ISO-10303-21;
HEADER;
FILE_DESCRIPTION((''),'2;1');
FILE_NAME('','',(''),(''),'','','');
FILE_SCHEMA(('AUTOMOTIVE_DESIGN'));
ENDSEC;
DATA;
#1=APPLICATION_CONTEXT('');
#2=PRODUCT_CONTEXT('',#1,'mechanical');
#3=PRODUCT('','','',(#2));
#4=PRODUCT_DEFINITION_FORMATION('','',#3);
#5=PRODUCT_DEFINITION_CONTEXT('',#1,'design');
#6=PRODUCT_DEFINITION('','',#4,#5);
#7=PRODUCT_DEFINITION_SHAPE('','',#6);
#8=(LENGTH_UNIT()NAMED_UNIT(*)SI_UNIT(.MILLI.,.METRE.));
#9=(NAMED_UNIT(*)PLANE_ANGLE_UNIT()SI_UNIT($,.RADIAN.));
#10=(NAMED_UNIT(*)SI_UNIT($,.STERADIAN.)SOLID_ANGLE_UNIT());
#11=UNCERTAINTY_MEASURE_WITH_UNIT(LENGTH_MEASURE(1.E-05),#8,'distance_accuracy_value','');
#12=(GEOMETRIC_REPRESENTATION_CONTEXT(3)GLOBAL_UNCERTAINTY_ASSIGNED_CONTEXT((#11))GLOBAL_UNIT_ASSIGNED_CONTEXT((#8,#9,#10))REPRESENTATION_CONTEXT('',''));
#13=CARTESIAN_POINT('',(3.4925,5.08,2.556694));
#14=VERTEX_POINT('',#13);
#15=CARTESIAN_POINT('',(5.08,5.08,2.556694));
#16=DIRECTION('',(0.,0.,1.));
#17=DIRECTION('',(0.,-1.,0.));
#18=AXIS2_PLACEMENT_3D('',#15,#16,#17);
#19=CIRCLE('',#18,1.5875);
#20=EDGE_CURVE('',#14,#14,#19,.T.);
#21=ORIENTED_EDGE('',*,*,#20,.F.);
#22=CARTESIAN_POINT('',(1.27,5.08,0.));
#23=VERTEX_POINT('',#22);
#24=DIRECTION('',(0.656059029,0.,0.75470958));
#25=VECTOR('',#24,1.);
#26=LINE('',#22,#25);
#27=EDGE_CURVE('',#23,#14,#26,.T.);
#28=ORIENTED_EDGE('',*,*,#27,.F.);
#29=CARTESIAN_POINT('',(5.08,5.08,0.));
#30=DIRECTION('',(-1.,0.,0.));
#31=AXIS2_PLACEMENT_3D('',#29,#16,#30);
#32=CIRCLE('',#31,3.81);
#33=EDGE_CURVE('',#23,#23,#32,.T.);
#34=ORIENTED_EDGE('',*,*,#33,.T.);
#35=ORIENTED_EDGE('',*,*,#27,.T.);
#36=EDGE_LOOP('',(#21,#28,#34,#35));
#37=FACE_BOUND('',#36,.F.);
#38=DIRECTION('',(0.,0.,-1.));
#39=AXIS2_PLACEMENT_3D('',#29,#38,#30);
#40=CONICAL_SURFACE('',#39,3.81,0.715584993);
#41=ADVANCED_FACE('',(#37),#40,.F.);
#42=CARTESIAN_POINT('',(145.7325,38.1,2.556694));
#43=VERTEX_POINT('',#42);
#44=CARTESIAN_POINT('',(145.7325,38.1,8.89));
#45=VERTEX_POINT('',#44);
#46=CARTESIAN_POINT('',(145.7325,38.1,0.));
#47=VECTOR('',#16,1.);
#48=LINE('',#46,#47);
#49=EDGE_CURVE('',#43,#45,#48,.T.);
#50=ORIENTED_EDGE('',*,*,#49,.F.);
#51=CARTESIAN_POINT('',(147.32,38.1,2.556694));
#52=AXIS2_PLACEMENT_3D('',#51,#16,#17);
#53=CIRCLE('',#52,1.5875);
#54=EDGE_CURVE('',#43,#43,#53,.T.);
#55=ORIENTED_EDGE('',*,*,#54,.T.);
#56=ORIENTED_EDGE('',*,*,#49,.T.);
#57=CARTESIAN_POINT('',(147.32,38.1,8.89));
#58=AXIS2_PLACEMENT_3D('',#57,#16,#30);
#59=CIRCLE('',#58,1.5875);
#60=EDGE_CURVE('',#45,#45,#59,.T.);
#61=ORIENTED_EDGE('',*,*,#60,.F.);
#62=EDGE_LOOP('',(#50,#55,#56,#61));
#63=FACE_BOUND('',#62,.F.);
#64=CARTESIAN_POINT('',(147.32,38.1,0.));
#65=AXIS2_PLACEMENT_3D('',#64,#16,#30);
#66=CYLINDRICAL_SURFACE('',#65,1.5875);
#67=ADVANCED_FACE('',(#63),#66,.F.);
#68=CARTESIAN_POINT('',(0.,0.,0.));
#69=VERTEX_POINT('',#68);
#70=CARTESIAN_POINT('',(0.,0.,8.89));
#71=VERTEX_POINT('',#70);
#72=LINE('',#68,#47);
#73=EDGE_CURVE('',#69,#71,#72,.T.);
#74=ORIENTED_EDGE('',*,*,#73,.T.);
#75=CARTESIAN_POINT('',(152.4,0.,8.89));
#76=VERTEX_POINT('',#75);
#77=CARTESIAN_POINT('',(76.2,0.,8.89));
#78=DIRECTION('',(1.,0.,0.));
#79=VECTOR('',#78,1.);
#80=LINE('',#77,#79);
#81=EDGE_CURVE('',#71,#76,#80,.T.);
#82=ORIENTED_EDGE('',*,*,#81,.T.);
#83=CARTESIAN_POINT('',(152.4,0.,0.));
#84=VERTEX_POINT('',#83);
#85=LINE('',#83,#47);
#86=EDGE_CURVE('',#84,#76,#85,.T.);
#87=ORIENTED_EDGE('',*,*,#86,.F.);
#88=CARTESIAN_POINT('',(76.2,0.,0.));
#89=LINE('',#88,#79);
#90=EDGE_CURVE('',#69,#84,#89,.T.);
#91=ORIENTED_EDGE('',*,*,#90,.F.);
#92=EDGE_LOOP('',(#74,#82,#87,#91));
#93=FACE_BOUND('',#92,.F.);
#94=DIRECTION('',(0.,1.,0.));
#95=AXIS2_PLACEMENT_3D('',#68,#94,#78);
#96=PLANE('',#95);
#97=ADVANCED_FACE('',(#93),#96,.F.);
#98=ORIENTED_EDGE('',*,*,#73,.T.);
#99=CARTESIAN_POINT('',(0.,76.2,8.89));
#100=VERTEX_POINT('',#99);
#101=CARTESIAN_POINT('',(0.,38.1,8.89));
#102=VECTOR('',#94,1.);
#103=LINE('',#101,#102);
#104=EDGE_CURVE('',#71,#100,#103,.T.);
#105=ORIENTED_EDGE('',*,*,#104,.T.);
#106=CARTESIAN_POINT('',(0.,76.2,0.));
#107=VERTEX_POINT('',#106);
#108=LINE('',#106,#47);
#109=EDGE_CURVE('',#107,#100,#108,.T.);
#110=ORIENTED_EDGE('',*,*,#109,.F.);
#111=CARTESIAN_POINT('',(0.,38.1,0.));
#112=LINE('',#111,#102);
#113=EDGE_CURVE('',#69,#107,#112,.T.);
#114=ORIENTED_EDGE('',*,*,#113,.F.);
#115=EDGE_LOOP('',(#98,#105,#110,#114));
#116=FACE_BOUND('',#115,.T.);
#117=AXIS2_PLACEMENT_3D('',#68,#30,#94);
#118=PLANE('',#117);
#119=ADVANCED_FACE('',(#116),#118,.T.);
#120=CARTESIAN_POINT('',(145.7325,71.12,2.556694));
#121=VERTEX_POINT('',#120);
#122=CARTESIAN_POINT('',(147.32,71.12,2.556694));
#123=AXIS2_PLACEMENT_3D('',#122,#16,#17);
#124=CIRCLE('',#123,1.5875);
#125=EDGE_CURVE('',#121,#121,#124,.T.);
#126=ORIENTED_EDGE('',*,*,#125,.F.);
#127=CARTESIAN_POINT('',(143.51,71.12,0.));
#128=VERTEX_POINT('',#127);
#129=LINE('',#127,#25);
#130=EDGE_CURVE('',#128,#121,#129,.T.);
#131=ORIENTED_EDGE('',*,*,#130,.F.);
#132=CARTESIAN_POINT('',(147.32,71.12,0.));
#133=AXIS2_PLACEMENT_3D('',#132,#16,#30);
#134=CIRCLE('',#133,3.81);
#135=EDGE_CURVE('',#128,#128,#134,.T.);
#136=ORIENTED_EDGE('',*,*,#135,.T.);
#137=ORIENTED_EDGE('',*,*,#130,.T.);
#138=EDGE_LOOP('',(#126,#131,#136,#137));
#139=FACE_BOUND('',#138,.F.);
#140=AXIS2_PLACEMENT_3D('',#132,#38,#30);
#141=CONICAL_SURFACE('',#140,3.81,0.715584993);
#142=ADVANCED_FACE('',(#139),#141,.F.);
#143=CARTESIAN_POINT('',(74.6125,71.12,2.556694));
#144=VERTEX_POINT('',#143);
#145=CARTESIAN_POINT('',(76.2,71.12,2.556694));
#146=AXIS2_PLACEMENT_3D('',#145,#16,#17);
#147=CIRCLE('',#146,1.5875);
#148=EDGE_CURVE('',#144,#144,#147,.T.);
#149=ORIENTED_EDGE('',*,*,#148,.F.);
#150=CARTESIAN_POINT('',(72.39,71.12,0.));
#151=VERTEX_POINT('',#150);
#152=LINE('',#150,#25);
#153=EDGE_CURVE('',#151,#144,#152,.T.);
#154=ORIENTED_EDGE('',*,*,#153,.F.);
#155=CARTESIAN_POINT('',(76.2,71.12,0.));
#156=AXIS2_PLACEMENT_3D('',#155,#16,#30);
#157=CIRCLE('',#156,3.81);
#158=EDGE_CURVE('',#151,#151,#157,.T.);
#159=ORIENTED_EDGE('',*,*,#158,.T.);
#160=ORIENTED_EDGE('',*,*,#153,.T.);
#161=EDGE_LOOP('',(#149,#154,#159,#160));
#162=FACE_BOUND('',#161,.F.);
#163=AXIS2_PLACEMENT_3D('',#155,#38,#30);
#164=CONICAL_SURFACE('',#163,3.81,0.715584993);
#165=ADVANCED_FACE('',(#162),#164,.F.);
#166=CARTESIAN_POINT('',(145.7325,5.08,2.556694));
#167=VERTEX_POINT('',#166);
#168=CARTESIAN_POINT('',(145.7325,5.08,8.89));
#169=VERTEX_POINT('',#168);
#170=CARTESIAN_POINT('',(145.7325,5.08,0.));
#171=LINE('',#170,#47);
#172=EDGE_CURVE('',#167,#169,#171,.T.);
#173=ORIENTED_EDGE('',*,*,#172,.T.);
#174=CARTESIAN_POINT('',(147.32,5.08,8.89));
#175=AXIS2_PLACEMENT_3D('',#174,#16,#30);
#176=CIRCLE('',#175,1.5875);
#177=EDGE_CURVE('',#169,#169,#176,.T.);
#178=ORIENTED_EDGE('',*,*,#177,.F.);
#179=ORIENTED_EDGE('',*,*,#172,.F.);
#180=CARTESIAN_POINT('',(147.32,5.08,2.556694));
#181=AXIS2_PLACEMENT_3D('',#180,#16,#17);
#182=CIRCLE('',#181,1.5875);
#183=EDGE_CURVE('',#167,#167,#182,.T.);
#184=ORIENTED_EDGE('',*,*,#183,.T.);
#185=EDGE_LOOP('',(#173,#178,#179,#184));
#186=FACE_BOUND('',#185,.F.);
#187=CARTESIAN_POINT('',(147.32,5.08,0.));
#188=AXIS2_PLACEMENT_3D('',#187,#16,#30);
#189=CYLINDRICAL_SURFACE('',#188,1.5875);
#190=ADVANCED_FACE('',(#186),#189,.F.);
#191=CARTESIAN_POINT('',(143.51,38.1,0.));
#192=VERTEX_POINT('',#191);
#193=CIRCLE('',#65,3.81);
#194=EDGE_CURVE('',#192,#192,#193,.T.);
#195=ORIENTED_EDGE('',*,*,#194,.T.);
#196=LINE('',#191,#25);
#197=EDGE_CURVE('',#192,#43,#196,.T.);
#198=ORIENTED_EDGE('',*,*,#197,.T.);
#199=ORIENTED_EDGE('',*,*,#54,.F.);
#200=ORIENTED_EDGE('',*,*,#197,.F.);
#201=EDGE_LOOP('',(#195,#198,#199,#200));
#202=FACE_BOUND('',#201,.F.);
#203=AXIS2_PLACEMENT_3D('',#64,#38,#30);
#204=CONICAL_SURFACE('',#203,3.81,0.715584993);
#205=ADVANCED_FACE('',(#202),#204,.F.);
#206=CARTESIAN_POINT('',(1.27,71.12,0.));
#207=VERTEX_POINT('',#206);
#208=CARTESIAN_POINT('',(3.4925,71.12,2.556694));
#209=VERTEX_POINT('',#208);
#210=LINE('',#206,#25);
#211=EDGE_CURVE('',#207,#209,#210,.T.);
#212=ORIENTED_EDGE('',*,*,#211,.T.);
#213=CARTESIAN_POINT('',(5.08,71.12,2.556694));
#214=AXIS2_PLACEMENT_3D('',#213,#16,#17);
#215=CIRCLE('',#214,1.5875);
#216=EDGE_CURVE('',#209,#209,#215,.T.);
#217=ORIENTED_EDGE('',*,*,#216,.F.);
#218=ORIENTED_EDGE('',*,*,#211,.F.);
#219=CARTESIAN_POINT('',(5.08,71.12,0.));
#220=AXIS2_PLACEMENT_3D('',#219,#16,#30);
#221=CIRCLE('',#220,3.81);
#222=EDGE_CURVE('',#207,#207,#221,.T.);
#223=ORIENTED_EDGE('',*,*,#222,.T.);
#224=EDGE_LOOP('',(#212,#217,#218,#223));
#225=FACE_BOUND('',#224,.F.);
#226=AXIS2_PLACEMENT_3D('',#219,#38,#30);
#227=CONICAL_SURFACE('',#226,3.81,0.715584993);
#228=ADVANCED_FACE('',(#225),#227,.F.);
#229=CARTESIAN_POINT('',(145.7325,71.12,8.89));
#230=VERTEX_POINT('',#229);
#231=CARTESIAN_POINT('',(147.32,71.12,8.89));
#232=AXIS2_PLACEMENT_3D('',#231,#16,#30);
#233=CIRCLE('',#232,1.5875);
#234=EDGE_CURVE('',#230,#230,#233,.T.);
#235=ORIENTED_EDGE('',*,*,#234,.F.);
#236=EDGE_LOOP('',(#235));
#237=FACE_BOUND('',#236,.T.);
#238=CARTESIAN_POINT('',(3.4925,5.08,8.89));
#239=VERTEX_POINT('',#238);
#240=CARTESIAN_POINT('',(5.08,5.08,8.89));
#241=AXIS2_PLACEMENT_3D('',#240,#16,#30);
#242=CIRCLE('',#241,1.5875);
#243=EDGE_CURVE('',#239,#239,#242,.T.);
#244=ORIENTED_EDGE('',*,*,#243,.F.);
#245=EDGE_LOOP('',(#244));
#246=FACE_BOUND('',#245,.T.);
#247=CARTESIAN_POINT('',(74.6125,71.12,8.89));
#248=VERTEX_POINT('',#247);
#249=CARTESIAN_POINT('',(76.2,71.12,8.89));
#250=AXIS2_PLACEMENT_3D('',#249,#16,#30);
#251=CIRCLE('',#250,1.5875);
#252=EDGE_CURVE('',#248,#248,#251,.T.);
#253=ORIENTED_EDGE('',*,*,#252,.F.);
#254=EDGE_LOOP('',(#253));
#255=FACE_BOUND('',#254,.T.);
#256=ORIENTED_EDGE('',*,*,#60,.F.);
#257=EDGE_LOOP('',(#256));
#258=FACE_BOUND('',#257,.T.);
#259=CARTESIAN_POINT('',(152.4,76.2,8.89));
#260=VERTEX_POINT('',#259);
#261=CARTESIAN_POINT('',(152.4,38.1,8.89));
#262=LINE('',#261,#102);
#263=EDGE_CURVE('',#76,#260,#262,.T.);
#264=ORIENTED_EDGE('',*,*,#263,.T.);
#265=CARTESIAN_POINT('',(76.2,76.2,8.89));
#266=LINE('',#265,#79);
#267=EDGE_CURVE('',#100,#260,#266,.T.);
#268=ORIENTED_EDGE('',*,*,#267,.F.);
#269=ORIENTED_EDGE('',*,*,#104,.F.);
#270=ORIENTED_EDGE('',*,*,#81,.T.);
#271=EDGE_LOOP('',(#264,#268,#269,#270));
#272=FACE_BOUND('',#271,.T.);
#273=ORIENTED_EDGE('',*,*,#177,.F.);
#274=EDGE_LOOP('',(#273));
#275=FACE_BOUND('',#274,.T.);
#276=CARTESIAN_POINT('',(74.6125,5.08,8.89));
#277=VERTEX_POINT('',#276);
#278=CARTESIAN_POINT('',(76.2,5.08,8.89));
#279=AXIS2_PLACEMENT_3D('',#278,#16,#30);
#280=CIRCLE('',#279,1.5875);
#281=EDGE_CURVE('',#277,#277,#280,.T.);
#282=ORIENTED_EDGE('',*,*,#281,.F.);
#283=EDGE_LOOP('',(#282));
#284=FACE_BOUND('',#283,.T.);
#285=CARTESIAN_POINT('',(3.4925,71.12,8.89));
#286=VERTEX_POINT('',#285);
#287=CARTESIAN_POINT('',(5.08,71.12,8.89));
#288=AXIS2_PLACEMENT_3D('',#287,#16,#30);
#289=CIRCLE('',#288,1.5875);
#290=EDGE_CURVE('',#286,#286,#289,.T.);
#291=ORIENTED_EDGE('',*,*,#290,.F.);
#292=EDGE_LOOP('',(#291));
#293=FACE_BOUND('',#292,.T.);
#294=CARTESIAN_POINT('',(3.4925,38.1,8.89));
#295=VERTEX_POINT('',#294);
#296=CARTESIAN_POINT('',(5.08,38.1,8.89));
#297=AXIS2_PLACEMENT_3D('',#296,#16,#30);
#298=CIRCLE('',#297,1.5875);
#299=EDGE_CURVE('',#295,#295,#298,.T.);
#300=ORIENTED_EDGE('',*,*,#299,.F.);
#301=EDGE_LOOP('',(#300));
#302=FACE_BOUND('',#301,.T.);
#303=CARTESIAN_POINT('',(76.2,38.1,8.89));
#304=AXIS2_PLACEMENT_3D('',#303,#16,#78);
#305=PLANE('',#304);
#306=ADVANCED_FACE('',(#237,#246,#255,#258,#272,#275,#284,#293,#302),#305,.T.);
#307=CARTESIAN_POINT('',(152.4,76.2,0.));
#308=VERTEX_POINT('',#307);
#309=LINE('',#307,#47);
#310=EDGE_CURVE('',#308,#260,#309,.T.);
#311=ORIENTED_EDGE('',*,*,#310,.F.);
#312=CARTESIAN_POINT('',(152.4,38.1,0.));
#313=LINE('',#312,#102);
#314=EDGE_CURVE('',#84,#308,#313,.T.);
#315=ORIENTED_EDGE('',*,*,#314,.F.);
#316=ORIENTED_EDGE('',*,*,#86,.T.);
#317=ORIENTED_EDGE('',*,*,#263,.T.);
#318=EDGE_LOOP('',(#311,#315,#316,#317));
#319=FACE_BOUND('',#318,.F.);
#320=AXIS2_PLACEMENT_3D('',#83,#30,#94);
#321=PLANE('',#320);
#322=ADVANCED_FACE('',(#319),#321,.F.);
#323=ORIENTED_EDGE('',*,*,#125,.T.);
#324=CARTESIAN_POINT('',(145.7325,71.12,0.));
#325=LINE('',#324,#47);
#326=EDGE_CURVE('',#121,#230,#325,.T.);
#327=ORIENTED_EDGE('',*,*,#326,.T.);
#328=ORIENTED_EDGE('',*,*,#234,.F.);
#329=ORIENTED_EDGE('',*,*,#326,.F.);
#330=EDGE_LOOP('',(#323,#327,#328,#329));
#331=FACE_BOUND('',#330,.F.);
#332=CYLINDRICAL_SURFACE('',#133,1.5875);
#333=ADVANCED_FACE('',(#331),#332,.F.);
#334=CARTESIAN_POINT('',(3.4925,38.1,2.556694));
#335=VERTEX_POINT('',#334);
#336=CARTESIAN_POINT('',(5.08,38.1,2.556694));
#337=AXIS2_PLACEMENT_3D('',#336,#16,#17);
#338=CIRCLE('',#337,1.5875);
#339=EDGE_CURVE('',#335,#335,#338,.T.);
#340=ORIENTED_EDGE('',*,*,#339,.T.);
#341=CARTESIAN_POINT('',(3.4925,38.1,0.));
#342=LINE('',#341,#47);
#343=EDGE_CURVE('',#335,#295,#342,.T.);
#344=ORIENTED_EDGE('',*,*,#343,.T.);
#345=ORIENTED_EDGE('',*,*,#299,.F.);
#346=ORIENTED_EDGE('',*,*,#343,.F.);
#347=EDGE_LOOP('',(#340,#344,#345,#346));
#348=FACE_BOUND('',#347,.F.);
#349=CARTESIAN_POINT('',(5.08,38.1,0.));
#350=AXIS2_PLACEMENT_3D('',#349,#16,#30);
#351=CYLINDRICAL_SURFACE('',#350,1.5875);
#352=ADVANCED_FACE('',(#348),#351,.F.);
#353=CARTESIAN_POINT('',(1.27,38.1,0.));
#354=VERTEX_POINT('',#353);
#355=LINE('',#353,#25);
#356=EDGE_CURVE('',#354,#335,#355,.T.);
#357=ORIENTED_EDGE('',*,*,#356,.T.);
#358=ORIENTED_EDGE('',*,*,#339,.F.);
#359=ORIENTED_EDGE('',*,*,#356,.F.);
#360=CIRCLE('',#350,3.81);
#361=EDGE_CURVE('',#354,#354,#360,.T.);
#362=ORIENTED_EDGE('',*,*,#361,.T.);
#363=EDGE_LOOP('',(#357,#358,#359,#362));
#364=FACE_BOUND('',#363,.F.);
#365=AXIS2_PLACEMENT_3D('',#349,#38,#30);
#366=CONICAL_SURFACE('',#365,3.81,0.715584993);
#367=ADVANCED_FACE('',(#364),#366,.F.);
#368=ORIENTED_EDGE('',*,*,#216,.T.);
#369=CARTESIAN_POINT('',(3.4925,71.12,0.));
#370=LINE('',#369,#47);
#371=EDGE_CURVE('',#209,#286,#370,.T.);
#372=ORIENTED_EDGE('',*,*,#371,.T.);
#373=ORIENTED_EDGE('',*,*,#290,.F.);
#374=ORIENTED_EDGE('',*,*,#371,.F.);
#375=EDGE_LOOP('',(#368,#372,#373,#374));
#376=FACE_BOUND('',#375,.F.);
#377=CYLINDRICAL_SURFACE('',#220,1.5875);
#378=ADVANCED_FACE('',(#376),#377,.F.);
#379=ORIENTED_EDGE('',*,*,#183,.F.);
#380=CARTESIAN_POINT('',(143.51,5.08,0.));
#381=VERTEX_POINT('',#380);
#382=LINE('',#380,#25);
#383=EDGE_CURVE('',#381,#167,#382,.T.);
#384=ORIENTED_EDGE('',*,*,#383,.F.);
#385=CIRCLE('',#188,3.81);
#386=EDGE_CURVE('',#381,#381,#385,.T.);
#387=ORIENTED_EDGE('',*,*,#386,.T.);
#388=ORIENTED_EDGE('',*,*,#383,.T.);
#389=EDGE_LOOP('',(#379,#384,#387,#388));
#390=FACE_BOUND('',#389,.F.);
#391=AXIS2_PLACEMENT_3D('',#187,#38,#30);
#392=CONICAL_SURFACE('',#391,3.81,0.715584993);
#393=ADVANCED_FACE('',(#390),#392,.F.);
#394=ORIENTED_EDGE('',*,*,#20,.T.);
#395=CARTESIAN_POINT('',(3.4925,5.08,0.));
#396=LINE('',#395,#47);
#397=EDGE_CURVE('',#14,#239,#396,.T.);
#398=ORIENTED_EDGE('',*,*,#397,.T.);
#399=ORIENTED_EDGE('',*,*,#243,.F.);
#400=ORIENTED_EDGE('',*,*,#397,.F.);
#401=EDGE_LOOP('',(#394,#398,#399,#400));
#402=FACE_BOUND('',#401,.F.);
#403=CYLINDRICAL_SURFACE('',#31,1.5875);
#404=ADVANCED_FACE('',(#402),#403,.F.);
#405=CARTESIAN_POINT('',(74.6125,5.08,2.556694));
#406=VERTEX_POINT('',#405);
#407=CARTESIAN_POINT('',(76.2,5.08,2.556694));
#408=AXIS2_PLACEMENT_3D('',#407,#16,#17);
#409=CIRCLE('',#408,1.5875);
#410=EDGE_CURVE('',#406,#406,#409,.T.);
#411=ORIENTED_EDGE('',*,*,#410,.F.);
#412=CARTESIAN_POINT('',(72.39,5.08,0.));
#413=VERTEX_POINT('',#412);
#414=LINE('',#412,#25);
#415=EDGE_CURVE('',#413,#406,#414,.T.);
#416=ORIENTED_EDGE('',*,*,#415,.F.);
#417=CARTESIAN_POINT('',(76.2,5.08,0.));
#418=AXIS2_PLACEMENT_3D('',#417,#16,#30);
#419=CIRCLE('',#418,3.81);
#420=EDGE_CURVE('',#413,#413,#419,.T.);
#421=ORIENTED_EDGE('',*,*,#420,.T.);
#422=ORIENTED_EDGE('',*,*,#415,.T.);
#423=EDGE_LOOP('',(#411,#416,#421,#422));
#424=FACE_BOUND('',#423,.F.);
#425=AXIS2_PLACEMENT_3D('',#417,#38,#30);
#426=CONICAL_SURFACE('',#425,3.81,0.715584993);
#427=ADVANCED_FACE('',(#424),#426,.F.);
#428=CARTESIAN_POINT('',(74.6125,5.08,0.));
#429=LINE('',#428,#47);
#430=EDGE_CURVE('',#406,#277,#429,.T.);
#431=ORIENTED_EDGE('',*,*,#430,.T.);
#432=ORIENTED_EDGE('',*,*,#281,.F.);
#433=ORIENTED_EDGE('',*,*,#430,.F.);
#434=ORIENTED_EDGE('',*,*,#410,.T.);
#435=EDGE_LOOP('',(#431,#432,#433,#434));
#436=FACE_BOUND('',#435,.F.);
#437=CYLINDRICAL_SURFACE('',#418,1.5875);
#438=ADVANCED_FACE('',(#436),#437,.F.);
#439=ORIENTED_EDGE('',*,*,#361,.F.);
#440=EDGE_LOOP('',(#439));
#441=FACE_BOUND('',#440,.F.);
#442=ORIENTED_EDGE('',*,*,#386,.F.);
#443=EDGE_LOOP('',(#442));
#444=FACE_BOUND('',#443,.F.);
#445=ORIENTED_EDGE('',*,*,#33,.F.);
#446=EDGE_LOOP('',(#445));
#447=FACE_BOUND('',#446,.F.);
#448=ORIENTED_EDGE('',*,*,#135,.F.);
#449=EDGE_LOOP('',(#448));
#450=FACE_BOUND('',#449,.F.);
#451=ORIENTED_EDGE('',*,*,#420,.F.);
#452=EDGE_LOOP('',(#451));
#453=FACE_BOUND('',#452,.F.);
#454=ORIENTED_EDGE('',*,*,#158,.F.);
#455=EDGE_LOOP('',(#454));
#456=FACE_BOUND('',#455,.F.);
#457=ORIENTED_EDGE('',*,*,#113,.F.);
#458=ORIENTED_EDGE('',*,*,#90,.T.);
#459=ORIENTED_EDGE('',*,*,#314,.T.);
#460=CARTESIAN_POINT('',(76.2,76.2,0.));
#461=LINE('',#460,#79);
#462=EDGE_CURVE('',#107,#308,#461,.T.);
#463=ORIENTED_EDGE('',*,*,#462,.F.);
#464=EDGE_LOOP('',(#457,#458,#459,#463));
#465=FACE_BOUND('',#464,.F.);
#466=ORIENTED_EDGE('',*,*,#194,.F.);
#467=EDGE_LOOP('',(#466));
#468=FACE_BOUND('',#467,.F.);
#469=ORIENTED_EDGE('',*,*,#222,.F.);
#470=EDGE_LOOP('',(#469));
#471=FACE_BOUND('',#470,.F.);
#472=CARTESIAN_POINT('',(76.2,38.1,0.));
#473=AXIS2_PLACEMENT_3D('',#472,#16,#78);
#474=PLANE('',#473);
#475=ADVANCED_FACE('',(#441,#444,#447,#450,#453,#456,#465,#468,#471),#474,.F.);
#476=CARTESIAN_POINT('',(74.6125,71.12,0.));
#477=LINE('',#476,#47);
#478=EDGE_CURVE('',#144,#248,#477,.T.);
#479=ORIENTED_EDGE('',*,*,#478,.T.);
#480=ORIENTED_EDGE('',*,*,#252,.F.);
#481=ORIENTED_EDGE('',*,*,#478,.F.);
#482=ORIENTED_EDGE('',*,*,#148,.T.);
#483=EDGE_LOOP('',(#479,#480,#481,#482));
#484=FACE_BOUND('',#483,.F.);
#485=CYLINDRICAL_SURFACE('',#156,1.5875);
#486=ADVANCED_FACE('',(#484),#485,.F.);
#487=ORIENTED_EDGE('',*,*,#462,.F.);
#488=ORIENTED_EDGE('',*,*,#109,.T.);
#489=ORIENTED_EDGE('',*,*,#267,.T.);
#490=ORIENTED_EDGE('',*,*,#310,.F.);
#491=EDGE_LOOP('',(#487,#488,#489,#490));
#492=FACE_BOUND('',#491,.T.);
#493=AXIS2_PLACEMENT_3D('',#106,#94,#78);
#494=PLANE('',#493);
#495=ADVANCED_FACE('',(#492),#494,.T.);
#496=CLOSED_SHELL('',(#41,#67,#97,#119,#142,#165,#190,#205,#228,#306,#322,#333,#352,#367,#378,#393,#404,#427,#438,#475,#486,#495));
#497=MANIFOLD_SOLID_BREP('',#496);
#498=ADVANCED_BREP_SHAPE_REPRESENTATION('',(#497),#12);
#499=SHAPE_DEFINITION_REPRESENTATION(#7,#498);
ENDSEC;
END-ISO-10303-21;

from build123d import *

# Parameters (mm, degrees)
F0_W           = 152.4
F0_H           = 76.2
F1_DEPTH       = 8.89
F3_D           = 3.175
F3_CSINK_D     = 7.62
F3_CSINK_ANGLE = 82


with BuildPart() as f1:
    # F0 (on Top) → F1 (new body)
    with BuildSketch(Plane.XY):
        with Locations((76.2, 38.1)):
            Rectangle(F0_W, F0_H)
    extrude(amount=F1_DEPTH)

    # F3 (through all)
    with Locations(Plane(origin=(0, 0, 0), x_dir=(1, 0, 0), z_dir=(0, 0, -1))):
        with Locations((5.08, -5.08), (5.08, -38.1), (5.08, -71.12), (76.2, -71.12), (147.32, -71.12), (147.32, -38.1), (147.32, -5.08), (76.2, -5.08)):
            CounterSinkHole(F3_D / 2, F3_CSINK_D / 2, counter_sink_angle=F3_CSINK_ANGLE)


solid = f1.part
